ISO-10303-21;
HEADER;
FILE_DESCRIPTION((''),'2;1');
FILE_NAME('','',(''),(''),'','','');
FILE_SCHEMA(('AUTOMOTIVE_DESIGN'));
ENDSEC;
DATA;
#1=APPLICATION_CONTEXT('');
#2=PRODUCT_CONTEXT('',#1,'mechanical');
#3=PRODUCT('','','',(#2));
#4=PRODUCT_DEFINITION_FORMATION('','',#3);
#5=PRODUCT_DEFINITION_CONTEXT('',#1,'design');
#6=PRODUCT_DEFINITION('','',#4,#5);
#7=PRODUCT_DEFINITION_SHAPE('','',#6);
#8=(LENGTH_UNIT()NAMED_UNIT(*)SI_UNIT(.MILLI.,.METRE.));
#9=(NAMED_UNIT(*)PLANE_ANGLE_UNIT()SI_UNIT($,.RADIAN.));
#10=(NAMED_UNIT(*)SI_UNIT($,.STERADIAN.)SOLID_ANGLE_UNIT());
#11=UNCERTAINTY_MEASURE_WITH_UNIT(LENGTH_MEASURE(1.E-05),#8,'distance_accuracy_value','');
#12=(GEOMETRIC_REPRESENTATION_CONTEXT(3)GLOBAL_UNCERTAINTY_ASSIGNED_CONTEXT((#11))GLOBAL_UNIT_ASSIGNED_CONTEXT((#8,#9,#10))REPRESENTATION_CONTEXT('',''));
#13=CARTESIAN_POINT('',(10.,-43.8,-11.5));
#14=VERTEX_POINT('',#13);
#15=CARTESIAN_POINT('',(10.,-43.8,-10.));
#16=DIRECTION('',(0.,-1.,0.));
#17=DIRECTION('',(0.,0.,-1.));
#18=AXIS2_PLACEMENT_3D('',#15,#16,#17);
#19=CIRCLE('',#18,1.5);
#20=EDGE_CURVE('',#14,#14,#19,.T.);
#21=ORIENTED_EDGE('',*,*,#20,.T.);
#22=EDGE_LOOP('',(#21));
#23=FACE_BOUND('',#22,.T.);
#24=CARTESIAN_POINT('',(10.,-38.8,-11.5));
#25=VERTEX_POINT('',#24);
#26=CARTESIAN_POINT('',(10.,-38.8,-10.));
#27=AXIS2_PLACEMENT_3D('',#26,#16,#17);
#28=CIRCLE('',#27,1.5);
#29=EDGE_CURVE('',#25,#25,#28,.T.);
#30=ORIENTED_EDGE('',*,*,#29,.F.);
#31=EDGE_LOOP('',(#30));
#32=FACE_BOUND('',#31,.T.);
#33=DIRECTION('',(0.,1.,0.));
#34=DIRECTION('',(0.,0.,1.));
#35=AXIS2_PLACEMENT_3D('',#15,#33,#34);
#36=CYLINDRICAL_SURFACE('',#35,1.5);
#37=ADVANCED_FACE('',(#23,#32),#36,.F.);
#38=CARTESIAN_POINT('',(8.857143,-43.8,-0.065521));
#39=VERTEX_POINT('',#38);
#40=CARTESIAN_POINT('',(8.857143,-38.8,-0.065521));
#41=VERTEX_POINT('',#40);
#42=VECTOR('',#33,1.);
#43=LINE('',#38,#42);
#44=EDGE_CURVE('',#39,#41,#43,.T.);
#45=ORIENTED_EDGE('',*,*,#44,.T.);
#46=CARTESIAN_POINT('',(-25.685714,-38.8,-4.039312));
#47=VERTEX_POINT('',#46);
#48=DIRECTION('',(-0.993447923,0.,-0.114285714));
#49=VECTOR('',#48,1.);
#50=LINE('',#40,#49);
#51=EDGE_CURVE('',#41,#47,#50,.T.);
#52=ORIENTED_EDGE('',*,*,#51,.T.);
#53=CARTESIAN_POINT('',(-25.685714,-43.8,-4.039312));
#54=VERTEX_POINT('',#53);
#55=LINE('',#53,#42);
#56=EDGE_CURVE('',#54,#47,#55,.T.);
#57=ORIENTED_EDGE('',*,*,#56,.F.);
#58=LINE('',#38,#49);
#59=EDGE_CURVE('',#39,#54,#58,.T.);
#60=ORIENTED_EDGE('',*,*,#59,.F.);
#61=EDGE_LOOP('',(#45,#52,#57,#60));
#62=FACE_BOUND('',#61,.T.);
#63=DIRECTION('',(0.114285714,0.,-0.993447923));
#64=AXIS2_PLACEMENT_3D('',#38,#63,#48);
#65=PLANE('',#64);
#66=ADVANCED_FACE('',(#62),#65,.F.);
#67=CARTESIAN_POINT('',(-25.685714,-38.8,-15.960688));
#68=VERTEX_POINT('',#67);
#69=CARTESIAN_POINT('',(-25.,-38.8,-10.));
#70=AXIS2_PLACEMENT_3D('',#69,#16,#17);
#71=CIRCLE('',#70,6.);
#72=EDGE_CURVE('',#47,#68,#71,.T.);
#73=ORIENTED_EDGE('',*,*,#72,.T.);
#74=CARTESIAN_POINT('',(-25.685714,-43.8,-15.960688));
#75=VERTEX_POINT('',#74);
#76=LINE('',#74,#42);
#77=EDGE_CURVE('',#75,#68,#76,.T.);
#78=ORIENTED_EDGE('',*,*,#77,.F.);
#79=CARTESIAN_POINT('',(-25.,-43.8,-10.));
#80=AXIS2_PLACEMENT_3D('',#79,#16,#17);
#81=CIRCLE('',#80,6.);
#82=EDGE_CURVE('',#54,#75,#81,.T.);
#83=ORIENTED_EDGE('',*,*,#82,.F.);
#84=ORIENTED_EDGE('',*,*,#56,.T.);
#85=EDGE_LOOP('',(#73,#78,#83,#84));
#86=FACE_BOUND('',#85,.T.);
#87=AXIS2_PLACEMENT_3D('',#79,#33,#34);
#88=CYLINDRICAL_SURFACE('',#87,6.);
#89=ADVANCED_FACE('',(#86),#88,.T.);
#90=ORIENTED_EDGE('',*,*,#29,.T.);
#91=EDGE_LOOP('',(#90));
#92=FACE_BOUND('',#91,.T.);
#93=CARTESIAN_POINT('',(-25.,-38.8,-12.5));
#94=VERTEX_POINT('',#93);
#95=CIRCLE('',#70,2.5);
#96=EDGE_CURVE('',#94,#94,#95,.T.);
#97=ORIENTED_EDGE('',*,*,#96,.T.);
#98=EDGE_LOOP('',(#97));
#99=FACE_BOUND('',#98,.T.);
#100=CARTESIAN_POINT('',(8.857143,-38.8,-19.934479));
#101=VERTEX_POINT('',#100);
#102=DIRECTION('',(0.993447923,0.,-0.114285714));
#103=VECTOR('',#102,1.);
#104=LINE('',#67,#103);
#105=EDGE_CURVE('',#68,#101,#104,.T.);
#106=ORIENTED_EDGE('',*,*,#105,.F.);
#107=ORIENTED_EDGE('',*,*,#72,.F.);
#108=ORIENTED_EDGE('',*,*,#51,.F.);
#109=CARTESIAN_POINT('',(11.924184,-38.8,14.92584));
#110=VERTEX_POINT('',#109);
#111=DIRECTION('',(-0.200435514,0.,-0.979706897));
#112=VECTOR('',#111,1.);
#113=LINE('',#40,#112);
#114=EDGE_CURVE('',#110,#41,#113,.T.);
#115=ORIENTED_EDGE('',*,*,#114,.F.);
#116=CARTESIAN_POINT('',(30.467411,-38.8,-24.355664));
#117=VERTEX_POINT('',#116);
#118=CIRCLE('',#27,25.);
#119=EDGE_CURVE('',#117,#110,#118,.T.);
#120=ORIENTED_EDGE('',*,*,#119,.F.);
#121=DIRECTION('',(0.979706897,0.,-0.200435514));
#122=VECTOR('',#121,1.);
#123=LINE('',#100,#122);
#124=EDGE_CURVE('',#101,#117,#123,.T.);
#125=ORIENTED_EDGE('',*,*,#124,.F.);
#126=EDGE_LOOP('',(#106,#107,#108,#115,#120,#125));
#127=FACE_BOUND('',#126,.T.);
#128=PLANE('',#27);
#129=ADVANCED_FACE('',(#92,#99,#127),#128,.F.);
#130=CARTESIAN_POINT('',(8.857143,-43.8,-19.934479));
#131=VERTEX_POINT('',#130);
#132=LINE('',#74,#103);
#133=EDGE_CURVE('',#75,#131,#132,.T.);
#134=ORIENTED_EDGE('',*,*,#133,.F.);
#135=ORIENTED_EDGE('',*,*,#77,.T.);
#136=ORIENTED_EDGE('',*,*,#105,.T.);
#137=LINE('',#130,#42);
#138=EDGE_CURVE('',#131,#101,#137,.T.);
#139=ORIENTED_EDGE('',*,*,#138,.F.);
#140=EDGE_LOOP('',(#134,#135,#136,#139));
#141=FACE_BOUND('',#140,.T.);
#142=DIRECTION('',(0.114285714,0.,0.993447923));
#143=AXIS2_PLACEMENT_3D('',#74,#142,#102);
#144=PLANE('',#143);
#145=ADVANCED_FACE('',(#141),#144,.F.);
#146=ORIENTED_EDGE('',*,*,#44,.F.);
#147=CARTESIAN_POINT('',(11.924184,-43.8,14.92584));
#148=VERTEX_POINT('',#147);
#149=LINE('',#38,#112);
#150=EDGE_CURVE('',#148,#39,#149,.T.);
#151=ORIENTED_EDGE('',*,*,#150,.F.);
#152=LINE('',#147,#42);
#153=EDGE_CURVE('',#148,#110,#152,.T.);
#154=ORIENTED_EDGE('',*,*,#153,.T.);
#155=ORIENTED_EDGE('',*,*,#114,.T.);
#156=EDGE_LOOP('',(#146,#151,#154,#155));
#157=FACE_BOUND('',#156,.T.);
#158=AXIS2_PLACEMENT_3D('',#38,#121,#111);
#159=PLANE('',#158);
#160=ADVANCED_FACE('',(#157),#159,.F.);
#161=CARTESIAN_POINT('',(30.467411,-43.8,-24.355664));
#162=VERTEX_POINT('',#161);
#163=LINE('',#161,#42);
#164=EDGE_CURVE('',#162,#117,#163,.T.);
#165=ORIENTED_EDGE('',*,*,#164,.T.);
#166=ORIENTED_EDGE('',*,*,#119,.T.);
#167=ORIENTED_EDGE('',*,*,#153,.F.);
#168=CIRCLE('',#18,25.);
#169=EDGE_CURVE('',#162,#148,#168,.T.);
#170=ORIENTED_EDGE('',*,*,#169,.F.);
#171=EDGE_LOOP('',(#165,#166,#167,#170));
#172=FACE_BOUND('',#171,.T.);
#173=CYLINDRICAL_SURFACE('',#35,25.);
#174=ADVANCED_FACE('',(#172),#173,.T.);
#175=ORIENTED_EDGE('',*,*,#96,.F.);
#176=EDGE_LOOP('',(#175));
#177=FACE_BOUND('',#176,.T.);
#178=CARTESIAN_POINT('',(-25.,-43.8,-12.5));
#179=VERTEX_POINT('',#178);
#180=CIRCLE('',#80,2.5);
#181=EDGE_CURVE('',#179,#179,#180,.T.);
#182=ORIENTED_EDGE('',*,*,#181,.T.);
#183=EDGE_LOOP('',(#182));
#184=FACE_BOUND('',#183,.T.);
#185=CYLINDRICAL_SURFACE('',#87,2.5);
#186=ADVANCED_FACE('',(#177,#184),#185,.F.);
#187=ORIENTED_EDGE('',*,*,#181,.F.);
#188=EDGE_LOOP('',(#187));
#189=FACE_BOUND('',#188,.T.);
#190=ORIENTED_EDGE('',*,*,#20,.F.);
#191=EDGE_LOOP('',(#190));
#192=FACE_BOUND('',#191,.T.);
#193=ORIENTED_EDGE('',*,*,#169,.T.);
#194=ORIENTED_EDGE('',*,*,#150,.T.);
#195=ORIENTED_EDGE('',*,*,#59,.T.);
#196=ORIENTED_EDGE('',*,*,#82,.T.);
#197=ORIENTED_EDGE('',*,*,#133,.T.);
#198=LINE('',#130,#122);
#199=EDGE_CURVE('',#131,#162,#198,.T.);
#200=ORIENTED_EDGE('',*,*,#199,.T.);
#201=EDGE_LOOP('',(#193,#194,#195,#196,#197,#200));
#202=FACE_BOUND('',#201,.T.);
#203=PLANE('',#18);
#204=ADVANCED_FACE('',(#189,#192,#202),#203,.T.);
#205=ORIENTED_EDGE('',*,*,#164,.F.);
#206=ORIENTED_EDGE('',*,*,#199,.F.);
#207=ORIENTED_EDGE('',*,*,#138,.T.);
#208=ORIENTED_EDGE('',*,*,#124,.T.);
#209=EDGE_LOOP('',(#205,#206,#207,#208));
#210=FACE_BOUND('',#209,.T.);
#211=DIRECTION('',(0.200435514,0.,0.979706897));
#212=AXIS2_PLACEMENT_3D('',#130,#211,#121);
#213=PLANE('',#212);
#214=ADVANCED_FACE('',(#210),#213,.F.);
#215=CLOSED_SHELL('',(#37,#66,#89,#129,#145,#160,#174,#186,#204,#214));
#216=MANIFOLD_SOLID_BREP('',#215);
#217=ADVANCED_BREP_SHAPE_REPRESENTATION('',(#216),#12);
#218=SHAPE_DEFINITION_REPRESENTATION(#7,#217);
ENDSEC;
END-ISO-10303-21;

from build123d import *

# Parameters (mm, degrees)
ESQUISSE2_R        = 1.5
ESQUISSE2_R_2      = 2.5
BOSS_EXTRU_1_DEPTH = 5


with BuildPart() as part:
    # Esquisse2 → Boss.-Extru.1 (new body)
    with BuildSketch(Plane.XZ.offset(38.8)):
        with BuildLine():
            Line((8.857142857, -0.065520771), (-25.685714286, -4.039312463))
            ThreePointArc((-25.685714286, -4.039312463), (-31, -10), (-25.685714286, -15.960687537))
            Line((-25.685714286, -15.960687537), (8.857142857, -19.934479229))
            Line((8.857142857, -19.934479229), (30.467410963, -24.355663986))
            ThreePointArc((30.467410963, -24.355663986), (32.607632, 0.67215889), (11.924183808, 14.92584034))
            Line((11.924183808, 14.92584034), (8.857142857, -0.065520771))
        make_face()
        with Locations(Location((10, -10, 0), (0, 0, 270))):
            Circle(ESQUISSE2_R, mode=Mode.SUBTRACT)
        with Locations(Location((-25, -10, 0), (0, 0, 270))):
            Circle(ESQUISSE2_R_2, mode=Mode.SUBTRACT)
    extrude(amount=BOSS_EXTRU_1_DEPTH)


solid = part.part
